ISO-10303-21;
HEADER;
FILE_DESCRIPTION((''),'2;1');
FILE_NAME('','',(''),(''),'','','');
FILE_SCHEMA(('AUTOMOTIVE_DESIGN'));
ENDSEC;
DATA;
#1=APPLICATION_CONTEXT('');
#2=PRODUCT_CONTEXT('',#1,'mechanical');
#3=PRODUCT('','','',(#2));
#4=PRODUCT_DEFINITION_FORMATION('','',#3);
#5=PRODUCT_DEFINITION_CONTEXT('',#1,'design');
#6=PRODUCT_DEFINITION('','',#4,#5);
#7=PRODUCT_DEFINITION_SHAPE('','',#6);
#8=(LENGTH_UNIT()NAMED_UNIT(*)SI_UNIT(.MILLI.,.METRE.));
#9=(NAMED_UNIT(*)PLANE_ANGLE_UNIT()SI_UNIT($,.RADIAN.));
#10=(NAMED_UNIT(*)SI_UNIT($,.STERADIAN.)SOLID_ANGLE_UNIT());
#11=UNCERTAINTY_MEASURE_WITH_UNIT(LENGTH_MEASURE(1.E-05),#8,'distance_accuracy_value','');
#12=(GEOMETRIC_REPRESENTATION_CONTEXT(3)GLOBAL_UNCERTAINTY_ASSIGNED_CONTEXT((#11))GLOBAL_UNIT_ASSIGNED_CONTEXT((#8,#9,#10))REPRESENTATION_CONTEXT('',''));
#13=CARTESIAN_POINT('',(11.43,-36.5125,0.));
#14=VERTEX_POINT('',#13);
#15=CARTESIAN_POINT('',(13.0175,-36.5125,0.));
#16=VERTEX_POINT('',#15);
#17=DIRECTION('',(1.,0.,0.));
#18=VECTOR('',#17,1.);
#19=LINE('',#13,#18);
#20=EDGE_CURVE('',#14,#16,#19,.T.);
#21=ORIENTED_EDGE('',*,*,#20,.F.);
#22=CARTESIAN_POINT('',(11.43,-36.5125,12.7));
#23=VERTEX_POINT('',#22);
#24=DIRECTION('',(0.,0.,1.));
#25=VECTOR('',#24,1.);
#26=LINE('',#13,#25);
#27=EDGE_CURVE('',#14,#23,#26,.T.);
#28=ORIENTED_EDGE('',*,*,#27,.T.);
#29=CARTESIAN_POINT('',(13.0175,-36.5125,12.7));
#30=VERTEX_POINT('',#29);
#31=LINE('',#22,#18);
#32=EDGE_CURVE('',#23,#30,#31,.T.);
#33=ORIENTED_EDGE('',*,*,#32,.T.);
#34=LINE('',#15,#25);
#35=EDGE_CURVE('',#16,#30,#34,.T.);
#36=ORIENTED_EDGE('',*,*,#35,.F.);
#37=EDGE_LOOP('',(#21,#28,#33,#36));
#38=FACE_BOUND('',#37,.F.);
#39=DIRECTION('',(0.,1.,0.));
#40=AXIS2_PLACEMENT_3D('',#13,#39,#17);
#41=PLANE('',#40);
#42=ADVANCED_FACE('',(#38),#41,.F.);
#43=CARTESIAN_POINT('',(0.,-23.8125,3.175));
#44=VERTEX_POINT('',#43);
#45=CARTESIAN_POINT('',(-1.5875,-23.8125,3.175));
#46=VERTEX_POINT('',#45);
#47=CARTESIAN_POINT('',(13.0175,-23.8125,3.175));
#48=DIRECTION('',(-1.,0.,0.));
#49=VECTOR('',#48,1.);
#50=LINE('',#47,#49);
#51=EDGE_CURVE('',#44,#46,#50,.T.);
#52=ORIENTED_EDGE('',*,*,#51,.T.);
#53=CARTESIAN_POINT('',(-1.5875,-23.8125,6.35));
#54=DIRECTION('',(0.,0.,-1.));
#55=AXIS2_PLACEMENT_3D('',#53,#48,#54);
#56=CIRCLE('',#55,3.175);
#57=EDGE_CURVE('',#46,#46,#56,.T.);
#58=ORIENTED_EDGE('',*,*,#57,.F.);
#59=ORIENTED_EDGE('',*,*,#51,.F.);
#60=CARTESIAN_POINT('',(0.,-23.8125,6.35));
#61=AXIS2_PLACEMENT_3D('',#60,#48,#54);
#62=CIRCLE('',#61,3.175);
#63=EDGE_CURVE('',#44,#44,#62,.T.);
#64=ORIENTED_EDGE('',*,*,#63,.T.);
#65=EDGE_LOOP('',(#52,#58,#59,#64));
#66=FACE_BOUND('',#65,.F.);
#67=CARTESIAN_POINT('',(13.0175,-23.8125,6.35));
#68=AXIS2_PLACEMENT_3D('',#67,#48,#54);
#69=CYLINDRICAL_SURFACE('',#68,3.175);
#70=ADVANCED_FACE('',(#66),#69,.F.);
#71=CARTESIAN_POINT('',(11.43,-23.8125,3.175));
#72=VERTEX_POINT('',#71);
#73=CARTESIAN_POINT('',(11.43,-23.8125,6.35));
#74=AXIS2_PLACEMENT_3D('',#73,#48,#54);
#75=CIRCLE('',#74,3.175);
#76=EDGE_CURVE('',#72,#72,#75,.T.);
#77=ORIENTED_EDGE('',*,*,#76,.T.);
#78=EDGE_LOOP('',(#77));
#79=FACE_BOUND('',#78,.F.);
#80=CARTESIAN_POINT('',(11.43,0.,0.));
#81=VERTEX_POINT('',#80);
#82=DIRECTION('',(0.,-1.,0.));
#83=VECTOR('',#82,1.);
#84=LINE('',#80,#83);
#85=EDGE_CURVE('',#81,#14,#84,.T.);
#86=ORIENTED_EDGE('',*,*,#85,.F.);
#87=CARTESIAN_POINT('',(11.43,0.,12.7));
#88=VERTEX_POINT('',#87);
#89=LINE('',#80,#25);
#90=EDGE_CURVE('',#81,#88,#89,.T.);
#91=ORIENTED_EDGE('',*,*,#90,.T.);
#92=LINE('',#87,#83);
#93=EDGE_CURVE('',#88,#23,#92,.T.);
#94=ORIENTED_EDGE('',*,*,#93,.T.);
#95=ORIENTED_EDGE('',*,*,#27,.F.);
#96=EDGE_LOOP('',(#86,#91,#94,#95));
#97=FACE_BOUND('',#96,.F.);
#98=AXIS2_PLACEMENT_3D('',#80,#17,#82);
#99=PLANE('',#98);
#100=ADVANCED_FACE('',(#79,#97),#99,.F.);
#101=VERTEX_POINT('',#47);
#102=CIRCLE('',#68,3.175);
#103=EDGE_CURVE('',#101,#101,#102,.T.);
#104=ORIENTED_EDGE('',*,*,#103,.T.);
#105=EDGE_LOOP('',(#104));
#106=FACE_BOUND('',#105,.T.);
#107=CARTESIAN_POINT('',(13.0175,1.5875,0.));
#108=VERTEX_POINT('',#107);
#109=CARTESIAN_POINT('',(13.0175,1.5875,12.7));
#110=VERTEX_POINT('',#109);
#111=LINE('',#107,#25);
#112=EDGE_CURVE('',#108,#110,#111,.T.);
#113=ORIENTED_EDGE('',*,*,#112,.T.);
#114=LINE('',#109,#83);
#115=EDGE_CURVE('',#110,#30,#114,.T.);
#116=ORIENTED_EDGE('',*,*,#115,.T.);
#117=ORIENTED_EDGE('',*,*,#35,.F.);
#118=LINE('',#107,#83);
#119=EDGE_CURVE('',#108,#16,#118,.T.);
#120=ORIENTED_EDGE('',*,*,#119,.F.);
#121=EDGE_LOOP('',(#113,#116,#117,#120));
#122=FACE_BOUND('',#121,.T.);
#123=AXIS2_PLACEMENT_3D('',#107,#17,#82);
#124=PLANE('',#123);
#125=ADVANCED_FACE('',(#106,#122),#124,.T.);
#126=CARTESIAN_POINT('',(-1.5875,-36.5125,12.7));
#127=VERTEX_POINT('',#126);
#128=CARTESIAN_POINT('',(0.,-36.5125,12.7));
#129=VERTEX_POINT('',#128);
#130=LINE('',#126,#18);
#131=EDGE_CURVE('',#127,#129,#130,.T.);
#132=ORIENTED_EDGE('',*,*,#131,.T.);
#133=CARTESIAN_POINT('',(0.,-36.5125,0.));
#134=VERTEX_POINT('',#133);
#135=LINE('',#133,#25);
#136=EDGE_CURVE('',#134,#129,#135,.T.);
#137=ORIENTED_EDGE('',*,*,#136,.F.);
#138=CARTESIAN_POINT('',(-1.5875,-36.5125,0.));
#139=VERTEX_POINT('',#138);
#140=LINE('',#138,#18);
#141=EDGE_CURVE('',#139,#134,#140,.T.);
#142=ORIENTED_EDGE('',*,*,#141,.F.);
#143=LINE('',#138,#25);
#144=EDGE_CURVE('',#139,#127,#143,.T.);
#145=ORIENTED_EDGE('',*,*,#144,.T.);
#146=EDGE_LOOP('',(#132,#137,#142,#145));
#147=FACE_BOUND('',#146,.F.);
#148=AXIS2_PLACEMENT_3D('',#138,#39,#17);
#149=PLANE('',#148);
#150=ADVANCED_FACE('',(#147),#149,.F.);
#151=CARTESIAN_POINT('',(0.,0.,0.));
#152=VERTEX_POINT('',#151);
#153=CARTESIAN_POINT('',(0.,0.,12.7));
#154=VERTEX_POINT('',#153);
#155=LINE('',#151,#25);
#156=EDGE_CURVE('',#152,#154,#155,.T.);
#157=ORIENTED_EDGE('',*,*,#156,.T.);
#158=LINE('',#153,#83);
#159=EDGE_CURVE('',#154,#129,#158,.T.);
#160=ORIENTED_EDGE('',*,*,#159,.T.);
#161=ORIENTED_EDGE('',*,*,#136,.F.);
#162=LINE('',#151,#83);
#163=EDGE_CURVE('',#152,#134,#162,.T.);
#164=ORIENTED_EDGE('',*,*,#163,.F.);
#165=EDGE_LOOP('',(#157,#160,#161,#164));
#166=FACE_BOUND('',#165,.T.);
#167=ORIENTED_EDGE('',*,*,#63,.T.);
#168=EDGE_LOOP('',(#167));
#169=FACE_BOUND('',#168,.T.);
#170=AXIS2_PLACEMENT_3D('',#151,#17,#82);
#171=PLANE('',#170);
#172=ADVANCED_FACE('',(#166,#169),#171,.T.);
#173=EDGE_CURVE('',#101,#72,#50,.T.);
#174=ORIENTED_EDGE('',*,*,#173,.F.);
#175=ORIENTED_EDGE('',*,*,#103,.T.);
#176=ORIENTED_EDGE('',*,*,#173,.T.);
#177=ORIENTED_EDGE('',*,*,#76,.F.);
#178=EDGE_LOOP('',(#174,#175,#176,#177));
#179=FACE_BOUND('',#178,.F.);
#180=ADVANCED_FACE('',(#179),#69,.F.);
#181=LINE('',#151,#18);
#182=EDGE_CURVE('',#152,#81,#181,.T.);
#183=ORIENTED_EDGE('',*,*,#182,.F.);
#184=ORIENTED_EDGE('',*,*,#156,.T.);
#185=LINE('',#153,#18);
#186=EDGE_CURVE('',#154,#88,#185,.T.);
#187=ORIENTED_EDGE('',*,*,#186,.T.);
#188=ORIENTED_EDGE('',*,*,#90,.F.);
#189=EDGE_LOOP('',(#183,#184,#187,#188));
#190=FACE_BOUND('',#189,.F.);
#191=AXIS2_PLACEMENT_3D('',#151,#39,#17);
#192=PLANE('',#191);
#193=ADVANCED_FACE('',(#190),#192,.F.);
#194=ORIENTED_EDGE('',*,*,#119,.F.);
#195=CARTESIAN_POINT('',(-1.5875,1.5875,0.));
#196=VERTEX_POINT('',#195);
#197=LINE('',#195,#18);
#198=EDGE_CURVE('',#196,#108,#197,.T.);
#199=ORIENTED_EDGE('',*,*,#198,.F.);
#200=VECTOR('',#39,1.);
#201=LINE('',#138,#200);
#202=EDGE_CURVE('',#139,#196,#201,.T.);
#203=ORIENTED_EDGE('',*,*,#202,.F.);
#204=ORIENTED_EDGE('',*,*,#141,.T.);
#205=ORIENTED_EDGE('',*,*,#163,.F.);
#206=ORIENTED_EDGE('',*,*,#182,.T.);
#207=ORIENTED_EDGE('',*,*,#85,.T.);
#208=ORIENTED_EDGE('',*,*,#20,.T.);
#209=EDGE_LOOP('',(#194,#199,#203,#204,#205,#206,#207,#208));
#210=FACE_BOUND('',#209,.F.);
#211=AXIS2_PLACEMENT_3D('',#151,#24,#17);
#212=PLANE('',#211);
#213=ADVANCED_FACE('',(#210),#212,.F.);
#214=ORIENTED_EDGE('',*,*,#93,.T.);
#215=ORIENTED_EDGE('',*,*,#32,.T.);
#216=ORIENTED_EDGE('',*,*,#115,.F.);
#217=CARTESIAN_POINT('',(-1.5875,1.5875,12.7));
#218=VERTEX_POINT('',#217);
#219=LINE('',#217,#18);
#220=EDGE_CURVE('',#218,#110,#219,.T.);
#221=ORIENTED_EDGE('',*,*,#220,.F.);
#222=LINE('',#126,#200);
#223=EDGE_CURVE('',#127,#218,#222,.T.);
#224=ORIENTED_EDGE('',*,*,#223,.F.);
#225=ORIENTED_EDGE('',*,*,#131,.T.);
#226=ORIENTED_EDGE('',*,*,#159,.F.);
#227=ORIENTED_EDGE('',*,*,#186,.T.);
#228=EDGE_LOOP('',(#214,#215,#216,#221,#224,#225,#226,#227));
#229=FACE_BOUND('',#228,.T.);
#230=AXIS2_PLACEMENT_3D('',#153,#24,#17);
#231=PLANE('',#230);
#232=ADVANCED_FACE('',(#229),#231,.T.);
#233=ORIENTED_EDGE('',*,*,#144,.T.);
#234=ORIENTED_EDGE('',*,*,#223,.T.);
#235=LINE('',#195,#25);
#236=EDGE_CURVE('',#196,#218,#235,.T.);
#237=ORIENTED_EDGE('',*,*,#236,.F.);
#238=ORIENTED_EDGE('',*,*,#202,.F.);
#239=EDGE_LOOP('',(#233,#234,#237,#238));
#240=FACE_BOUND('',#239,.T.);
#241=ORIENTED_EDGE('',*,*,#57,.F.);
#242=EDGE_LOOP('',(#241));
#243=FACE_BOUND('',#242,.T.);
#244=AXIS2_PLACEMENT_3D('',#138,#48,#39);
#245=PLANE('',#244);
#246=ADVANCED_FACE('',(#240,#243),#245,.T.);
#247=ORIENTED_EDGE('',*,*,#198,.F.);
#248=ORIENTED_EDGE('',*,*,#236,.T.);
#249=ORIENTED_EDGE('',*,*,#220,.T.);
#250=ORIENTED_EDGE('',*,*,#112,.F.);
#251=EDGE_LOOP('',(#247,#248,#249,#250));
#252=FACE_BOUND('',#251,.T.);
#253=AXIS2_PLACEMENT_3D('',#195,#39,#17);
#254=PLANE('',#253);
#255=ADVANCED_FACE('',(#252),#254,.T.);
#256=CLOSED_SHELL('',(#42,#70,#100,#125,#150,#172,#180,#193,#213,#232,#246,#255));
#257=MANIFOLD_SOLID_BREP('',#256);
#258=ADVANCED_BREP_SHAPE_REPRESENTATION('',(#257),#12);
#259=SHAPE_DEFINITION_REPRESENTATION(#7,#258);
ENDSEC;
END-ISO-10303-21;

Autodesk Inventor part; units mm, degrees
ref_plane "YZ Plane" through (0, 0, 0) normal (1, 0, 0) x (0, 1, 0)
ref_plane "XZ Plane" through (0, 0, 0) normal (0, 1, 0) x (-1, 0, 0)
ref_plane "XY Plane" through (0, 0, 0) normal (0, 0, 1) x (1, 0, 0)
sketch "Sketch1" plane through (0, 0, 0) normal (0, 0, 1) x (1, 0, 0)
  line L0 (0, 0) -> (0, -36.5125)
  line L1 (0, 0) -> (11.43, 0)
  line L2 (11.43, 0) -> (11.43, -36.5125)
  line L3 (-1.5875, -36.5125) -> (-1.5875, 1.5875)
  line L4 (-1.5875, 1.5875) -> (13.0175, 1.5875)
  line L5 (13.0175, 1.5875) -> (13.0175, -36.5125)
  line L6 (-1.5875, -36.5125) -> (0, -36.5125)
  line L7 (11.43, -36.5125) -> (13.0175, -36.5125)
  dimension "d1" = 11.43
  dimension "d2" = 1.5875
  dimension "d5" = 38.1
extrude "Extrusion1" add sketch "Sketch1" along normal blind 12.7
sketch "Sketch2" plane through (13.0175, -36.5125, 0) normal (1, 0, 0) x (0, 0, -1)
  line L0 (0, 38.1) -> (-12.7, 38.1) projected
  line L1 (-12.7, 0) -> (-12.7, 38.1) projected
  point P0 (0, 36.5125)
  point P1 (-6.35, 12.7)
  dimension "d6" = 25.4
  dimension "d7" = 6.35
hole "Hole1" at (13.0175, -23.8125, 6.35) direction (-1, 0, 0) diameter 6.35 end through all
properties part number "CLB_081_ScissorRopeKeeper" material "Polycarbonate, Clear"
